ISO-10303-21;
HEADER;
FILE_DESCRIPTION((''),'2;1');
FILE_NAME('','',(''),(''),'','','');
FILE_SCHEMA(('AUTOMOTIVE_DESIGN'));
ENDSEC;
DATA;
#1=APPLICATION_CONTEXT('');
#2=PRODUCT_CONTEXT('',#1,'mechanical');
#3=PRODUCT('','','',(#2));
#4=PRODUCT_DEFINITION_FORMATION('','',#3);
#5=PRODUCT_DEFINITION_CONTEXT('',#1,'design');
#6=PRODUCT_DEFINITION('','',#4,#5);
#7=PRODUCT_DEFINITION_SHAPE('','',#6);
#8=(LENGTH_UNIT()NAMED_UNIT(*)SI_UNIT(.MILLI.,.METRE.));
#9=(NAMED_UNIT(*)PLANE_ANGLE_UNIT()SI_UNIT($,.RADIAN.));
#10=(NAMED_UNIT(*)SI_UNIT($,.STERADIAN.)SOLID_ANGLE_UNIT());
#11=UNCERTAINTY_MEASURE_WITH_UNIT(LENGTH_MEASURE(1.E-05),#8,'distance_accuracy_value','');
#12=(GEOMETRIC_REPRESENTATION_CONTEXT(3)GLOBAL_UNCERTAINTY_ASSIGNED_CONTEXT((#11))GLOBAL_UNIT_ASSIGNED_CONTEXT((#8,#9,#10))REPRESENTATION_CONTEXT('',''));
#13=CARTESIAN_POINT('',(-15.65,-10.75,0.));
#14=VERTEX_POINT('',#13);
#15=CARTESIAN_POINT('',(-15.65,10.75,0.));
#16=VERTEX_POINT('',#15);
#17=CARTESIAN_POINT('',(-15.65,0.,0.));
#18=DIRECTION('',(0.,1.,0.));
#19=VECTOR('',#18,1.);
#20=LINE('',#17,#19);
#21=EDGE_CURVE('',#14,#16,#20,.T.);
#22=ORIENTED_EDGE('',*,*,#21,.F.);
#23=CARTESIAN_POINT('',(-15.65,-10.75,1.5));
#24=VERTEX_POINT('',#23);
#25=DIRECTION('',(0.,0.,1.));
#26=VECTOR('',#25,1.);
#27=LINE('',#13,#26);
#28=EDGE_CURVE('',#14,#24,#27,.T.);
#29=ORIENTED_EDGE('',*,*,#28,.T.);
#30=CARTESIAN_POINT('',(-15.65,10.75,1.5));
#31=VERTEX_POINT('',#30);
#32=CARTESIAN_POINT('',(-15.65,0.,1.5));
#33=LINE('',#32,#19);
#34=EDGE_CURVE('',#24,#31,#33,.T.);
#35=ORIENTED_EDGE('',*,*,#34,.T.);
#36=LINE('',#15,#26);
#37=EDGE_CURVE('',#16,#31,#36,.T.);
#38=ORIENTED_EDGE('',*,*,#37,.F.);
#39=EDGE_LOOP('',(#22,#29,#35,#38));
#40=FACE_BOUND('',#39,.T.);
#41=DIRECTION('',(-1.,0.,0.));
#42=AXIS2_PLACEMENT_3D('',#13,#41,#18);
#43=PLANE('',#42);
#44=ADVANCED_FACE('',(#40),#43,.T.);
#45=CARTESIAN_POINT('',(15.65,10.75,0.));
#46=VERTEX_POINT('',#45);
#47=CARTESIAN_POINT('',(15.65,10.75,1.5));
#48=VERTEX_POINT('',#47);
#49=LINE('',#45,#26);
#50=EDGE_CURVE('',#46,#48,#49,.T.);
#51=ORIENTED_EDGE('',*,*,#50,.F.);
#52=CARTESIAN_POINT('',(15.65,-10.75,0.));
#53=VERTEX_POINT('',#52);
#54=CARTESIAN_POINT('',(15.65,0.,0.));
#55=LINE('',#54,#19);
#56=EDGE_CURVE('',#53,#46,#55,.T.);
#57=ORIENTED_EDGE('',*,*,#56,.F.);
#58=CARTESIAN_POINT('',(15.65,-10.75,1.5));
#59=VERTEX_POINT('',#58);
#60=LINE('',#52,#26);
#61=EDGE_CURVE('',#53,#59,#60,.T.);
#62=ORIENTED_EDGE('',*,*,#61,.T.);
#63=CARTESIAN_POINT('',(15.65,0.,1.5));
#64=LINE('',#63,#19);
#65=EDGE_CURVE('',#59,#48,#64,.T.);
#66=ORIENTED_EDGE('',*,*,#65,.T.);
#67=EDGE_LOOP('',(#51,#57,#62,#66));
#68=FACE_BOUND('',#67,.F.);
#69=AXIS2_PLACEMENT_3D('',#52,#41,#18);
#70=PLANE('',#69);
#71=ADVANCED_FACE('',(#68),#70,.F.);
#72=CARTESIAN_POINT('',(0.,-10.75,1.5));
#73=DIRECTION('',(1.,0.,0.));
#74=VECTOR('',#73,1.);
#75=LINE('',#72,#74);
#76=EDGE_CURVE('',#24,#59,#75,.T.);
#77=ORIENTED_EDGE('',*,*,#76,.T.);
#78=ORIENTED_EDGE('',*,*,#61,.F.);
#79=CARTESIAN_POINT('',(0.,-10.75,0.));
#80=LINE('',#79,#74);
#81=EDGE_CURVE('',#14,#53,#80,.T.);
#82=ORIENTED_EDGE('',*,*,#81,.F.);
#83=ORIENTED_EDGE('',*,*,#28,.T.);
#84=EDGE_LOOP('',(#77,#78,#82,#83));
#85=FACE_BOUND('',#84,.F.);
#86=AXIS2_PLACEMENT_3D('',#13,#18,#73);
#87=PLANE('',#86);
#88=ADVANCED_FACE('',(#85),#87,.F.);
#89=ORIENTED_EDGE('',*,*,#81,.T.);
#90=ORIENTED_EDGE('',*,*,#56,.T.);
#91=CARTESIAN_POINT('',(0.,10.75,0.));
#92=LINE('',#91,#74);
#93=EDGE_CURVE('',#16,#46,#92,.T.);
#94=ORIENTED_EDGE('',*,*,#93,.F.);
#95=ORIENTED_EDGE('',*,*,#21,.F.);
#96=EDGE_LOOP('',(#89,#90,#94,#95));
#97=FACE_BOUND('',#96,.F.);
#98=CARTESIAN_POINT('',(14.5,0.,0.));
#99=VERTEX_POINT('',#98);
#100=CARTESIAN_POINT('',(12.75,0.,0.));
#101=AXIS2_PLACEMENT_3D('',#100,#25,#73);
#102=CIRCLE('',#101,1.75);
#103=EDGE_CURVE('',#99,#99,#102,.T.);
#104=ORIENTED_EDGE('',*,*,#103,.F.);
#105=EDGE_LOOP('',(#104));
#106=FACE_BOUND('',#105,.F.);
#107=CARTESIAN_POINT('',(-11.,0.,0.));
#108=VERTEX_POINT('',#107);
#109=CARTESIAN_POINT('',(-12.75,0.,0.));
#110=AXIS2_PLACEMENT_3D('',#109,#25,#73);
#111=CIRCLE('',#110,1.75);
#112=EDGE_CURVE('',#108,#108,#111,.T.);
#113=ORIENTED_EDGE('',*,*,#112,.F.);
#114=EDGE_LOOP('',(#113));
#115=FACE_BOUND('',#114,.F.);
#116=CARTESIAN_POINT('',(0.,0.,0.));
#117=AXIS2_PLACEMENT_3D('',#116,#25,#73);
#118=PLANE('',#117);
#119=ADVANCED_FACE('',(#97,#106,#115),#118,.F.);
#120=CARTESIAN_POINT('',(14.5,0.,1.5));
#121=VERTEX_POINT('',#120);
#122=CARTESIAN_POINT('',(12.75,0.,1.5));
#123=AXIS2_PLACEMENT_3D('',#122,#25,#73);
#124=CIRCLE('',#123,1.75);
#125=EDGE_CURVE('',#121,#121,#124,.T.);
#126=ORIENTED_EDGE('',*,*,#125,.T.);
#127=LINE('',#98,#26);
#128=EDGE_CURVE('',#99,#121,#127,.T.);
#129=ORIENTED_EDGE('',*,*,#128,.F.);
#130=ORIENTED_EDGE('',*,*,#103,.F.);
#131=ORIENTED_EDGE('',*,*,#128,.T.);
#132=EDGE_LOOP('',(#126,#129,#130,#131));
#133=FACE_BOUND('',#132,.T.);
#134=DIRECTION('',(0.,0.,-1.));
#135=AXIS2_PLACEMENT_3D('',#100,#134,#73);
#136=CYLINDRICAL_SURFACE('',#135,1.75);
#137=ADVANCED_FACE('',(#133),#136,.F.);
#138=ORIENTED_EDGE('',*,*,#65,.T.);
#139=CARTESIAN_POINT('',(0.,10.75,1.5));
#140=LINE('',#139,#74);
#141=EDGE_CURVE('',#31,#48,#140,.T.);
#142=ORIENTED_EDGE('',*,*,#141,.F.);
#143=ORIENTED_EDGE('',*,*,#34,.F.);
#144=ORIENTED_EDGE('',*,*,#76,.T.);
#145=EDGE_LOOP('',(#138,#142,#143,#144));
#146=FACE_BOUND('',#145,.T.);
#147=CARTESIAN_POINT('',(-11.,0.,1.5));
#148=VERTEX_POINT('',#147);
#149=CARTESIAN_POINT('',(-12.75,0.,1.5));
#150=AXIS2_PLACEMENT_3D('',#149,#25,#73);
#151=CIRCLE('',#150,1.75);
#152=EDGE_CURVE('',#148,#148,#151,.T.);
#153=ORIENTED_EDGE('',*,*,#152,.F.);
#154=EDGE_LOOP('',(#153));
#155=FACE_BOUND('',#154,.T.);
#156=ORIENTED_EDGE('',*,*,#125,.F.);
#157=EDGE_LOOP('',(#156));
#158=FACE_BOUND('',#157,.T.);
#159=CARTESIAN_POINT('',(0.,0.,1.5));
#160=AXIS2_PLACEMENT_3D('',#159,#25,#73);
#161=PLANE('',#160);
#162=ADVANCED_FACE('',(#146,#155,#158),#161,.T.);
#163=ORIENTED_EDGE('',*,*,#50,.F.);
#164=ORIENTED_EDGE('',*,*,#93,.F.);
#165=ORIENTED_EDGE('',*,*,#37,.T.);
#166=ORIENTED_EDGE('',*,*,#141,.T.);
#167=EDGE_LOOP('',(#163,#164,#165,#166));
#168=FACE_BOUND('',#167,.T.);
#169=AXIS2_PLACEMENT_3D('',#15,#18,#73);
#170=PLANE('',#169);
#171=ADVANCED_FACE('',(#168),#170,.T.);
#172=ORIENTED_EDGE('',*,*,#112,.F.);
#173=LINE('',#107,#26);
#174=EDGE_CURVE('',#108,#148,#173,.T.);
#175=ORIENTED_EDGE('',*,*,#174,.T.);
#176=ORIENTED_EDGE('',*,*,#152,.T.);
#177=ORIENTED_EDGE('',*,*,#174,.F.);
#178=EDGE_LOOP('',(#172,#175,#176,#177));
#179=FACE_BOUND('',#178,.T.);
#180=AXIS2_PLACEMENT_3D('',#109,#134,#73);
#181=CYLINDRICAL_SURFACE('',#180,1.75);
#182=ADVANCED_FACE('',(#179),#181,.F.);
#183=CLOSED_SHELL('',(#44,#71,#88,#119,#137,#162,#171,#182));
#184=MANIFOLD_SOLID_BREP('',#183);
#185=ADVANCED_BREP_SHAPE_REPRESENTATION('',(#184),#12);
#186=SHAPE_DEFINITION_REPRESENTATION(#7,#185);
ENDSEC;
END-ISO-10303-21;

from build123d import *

# Parameters (mm, degrees)
SKETCH_W  = 31.3
SKETCH_H  = 21.5
SKETCH_R  = 1.75
PAD_DEPTH = 1.5


with BuildPart() as part:
    # Sketch → Pad (new body)
    with BuildSketch(Plane.XY):
        Rectangle(SKETCH_W, SKETCH_H)
        with Locations((-12.75, 0)):
            Circle(SKETCH_R, mode=Mode.SUBTRACT)
        with Locations((12.75, 0)):
            Circle(SKETCH_R, mode=Mode.SUBTRACT)
    extrude(amount=PAD_DEPTH)


solid = part.part
